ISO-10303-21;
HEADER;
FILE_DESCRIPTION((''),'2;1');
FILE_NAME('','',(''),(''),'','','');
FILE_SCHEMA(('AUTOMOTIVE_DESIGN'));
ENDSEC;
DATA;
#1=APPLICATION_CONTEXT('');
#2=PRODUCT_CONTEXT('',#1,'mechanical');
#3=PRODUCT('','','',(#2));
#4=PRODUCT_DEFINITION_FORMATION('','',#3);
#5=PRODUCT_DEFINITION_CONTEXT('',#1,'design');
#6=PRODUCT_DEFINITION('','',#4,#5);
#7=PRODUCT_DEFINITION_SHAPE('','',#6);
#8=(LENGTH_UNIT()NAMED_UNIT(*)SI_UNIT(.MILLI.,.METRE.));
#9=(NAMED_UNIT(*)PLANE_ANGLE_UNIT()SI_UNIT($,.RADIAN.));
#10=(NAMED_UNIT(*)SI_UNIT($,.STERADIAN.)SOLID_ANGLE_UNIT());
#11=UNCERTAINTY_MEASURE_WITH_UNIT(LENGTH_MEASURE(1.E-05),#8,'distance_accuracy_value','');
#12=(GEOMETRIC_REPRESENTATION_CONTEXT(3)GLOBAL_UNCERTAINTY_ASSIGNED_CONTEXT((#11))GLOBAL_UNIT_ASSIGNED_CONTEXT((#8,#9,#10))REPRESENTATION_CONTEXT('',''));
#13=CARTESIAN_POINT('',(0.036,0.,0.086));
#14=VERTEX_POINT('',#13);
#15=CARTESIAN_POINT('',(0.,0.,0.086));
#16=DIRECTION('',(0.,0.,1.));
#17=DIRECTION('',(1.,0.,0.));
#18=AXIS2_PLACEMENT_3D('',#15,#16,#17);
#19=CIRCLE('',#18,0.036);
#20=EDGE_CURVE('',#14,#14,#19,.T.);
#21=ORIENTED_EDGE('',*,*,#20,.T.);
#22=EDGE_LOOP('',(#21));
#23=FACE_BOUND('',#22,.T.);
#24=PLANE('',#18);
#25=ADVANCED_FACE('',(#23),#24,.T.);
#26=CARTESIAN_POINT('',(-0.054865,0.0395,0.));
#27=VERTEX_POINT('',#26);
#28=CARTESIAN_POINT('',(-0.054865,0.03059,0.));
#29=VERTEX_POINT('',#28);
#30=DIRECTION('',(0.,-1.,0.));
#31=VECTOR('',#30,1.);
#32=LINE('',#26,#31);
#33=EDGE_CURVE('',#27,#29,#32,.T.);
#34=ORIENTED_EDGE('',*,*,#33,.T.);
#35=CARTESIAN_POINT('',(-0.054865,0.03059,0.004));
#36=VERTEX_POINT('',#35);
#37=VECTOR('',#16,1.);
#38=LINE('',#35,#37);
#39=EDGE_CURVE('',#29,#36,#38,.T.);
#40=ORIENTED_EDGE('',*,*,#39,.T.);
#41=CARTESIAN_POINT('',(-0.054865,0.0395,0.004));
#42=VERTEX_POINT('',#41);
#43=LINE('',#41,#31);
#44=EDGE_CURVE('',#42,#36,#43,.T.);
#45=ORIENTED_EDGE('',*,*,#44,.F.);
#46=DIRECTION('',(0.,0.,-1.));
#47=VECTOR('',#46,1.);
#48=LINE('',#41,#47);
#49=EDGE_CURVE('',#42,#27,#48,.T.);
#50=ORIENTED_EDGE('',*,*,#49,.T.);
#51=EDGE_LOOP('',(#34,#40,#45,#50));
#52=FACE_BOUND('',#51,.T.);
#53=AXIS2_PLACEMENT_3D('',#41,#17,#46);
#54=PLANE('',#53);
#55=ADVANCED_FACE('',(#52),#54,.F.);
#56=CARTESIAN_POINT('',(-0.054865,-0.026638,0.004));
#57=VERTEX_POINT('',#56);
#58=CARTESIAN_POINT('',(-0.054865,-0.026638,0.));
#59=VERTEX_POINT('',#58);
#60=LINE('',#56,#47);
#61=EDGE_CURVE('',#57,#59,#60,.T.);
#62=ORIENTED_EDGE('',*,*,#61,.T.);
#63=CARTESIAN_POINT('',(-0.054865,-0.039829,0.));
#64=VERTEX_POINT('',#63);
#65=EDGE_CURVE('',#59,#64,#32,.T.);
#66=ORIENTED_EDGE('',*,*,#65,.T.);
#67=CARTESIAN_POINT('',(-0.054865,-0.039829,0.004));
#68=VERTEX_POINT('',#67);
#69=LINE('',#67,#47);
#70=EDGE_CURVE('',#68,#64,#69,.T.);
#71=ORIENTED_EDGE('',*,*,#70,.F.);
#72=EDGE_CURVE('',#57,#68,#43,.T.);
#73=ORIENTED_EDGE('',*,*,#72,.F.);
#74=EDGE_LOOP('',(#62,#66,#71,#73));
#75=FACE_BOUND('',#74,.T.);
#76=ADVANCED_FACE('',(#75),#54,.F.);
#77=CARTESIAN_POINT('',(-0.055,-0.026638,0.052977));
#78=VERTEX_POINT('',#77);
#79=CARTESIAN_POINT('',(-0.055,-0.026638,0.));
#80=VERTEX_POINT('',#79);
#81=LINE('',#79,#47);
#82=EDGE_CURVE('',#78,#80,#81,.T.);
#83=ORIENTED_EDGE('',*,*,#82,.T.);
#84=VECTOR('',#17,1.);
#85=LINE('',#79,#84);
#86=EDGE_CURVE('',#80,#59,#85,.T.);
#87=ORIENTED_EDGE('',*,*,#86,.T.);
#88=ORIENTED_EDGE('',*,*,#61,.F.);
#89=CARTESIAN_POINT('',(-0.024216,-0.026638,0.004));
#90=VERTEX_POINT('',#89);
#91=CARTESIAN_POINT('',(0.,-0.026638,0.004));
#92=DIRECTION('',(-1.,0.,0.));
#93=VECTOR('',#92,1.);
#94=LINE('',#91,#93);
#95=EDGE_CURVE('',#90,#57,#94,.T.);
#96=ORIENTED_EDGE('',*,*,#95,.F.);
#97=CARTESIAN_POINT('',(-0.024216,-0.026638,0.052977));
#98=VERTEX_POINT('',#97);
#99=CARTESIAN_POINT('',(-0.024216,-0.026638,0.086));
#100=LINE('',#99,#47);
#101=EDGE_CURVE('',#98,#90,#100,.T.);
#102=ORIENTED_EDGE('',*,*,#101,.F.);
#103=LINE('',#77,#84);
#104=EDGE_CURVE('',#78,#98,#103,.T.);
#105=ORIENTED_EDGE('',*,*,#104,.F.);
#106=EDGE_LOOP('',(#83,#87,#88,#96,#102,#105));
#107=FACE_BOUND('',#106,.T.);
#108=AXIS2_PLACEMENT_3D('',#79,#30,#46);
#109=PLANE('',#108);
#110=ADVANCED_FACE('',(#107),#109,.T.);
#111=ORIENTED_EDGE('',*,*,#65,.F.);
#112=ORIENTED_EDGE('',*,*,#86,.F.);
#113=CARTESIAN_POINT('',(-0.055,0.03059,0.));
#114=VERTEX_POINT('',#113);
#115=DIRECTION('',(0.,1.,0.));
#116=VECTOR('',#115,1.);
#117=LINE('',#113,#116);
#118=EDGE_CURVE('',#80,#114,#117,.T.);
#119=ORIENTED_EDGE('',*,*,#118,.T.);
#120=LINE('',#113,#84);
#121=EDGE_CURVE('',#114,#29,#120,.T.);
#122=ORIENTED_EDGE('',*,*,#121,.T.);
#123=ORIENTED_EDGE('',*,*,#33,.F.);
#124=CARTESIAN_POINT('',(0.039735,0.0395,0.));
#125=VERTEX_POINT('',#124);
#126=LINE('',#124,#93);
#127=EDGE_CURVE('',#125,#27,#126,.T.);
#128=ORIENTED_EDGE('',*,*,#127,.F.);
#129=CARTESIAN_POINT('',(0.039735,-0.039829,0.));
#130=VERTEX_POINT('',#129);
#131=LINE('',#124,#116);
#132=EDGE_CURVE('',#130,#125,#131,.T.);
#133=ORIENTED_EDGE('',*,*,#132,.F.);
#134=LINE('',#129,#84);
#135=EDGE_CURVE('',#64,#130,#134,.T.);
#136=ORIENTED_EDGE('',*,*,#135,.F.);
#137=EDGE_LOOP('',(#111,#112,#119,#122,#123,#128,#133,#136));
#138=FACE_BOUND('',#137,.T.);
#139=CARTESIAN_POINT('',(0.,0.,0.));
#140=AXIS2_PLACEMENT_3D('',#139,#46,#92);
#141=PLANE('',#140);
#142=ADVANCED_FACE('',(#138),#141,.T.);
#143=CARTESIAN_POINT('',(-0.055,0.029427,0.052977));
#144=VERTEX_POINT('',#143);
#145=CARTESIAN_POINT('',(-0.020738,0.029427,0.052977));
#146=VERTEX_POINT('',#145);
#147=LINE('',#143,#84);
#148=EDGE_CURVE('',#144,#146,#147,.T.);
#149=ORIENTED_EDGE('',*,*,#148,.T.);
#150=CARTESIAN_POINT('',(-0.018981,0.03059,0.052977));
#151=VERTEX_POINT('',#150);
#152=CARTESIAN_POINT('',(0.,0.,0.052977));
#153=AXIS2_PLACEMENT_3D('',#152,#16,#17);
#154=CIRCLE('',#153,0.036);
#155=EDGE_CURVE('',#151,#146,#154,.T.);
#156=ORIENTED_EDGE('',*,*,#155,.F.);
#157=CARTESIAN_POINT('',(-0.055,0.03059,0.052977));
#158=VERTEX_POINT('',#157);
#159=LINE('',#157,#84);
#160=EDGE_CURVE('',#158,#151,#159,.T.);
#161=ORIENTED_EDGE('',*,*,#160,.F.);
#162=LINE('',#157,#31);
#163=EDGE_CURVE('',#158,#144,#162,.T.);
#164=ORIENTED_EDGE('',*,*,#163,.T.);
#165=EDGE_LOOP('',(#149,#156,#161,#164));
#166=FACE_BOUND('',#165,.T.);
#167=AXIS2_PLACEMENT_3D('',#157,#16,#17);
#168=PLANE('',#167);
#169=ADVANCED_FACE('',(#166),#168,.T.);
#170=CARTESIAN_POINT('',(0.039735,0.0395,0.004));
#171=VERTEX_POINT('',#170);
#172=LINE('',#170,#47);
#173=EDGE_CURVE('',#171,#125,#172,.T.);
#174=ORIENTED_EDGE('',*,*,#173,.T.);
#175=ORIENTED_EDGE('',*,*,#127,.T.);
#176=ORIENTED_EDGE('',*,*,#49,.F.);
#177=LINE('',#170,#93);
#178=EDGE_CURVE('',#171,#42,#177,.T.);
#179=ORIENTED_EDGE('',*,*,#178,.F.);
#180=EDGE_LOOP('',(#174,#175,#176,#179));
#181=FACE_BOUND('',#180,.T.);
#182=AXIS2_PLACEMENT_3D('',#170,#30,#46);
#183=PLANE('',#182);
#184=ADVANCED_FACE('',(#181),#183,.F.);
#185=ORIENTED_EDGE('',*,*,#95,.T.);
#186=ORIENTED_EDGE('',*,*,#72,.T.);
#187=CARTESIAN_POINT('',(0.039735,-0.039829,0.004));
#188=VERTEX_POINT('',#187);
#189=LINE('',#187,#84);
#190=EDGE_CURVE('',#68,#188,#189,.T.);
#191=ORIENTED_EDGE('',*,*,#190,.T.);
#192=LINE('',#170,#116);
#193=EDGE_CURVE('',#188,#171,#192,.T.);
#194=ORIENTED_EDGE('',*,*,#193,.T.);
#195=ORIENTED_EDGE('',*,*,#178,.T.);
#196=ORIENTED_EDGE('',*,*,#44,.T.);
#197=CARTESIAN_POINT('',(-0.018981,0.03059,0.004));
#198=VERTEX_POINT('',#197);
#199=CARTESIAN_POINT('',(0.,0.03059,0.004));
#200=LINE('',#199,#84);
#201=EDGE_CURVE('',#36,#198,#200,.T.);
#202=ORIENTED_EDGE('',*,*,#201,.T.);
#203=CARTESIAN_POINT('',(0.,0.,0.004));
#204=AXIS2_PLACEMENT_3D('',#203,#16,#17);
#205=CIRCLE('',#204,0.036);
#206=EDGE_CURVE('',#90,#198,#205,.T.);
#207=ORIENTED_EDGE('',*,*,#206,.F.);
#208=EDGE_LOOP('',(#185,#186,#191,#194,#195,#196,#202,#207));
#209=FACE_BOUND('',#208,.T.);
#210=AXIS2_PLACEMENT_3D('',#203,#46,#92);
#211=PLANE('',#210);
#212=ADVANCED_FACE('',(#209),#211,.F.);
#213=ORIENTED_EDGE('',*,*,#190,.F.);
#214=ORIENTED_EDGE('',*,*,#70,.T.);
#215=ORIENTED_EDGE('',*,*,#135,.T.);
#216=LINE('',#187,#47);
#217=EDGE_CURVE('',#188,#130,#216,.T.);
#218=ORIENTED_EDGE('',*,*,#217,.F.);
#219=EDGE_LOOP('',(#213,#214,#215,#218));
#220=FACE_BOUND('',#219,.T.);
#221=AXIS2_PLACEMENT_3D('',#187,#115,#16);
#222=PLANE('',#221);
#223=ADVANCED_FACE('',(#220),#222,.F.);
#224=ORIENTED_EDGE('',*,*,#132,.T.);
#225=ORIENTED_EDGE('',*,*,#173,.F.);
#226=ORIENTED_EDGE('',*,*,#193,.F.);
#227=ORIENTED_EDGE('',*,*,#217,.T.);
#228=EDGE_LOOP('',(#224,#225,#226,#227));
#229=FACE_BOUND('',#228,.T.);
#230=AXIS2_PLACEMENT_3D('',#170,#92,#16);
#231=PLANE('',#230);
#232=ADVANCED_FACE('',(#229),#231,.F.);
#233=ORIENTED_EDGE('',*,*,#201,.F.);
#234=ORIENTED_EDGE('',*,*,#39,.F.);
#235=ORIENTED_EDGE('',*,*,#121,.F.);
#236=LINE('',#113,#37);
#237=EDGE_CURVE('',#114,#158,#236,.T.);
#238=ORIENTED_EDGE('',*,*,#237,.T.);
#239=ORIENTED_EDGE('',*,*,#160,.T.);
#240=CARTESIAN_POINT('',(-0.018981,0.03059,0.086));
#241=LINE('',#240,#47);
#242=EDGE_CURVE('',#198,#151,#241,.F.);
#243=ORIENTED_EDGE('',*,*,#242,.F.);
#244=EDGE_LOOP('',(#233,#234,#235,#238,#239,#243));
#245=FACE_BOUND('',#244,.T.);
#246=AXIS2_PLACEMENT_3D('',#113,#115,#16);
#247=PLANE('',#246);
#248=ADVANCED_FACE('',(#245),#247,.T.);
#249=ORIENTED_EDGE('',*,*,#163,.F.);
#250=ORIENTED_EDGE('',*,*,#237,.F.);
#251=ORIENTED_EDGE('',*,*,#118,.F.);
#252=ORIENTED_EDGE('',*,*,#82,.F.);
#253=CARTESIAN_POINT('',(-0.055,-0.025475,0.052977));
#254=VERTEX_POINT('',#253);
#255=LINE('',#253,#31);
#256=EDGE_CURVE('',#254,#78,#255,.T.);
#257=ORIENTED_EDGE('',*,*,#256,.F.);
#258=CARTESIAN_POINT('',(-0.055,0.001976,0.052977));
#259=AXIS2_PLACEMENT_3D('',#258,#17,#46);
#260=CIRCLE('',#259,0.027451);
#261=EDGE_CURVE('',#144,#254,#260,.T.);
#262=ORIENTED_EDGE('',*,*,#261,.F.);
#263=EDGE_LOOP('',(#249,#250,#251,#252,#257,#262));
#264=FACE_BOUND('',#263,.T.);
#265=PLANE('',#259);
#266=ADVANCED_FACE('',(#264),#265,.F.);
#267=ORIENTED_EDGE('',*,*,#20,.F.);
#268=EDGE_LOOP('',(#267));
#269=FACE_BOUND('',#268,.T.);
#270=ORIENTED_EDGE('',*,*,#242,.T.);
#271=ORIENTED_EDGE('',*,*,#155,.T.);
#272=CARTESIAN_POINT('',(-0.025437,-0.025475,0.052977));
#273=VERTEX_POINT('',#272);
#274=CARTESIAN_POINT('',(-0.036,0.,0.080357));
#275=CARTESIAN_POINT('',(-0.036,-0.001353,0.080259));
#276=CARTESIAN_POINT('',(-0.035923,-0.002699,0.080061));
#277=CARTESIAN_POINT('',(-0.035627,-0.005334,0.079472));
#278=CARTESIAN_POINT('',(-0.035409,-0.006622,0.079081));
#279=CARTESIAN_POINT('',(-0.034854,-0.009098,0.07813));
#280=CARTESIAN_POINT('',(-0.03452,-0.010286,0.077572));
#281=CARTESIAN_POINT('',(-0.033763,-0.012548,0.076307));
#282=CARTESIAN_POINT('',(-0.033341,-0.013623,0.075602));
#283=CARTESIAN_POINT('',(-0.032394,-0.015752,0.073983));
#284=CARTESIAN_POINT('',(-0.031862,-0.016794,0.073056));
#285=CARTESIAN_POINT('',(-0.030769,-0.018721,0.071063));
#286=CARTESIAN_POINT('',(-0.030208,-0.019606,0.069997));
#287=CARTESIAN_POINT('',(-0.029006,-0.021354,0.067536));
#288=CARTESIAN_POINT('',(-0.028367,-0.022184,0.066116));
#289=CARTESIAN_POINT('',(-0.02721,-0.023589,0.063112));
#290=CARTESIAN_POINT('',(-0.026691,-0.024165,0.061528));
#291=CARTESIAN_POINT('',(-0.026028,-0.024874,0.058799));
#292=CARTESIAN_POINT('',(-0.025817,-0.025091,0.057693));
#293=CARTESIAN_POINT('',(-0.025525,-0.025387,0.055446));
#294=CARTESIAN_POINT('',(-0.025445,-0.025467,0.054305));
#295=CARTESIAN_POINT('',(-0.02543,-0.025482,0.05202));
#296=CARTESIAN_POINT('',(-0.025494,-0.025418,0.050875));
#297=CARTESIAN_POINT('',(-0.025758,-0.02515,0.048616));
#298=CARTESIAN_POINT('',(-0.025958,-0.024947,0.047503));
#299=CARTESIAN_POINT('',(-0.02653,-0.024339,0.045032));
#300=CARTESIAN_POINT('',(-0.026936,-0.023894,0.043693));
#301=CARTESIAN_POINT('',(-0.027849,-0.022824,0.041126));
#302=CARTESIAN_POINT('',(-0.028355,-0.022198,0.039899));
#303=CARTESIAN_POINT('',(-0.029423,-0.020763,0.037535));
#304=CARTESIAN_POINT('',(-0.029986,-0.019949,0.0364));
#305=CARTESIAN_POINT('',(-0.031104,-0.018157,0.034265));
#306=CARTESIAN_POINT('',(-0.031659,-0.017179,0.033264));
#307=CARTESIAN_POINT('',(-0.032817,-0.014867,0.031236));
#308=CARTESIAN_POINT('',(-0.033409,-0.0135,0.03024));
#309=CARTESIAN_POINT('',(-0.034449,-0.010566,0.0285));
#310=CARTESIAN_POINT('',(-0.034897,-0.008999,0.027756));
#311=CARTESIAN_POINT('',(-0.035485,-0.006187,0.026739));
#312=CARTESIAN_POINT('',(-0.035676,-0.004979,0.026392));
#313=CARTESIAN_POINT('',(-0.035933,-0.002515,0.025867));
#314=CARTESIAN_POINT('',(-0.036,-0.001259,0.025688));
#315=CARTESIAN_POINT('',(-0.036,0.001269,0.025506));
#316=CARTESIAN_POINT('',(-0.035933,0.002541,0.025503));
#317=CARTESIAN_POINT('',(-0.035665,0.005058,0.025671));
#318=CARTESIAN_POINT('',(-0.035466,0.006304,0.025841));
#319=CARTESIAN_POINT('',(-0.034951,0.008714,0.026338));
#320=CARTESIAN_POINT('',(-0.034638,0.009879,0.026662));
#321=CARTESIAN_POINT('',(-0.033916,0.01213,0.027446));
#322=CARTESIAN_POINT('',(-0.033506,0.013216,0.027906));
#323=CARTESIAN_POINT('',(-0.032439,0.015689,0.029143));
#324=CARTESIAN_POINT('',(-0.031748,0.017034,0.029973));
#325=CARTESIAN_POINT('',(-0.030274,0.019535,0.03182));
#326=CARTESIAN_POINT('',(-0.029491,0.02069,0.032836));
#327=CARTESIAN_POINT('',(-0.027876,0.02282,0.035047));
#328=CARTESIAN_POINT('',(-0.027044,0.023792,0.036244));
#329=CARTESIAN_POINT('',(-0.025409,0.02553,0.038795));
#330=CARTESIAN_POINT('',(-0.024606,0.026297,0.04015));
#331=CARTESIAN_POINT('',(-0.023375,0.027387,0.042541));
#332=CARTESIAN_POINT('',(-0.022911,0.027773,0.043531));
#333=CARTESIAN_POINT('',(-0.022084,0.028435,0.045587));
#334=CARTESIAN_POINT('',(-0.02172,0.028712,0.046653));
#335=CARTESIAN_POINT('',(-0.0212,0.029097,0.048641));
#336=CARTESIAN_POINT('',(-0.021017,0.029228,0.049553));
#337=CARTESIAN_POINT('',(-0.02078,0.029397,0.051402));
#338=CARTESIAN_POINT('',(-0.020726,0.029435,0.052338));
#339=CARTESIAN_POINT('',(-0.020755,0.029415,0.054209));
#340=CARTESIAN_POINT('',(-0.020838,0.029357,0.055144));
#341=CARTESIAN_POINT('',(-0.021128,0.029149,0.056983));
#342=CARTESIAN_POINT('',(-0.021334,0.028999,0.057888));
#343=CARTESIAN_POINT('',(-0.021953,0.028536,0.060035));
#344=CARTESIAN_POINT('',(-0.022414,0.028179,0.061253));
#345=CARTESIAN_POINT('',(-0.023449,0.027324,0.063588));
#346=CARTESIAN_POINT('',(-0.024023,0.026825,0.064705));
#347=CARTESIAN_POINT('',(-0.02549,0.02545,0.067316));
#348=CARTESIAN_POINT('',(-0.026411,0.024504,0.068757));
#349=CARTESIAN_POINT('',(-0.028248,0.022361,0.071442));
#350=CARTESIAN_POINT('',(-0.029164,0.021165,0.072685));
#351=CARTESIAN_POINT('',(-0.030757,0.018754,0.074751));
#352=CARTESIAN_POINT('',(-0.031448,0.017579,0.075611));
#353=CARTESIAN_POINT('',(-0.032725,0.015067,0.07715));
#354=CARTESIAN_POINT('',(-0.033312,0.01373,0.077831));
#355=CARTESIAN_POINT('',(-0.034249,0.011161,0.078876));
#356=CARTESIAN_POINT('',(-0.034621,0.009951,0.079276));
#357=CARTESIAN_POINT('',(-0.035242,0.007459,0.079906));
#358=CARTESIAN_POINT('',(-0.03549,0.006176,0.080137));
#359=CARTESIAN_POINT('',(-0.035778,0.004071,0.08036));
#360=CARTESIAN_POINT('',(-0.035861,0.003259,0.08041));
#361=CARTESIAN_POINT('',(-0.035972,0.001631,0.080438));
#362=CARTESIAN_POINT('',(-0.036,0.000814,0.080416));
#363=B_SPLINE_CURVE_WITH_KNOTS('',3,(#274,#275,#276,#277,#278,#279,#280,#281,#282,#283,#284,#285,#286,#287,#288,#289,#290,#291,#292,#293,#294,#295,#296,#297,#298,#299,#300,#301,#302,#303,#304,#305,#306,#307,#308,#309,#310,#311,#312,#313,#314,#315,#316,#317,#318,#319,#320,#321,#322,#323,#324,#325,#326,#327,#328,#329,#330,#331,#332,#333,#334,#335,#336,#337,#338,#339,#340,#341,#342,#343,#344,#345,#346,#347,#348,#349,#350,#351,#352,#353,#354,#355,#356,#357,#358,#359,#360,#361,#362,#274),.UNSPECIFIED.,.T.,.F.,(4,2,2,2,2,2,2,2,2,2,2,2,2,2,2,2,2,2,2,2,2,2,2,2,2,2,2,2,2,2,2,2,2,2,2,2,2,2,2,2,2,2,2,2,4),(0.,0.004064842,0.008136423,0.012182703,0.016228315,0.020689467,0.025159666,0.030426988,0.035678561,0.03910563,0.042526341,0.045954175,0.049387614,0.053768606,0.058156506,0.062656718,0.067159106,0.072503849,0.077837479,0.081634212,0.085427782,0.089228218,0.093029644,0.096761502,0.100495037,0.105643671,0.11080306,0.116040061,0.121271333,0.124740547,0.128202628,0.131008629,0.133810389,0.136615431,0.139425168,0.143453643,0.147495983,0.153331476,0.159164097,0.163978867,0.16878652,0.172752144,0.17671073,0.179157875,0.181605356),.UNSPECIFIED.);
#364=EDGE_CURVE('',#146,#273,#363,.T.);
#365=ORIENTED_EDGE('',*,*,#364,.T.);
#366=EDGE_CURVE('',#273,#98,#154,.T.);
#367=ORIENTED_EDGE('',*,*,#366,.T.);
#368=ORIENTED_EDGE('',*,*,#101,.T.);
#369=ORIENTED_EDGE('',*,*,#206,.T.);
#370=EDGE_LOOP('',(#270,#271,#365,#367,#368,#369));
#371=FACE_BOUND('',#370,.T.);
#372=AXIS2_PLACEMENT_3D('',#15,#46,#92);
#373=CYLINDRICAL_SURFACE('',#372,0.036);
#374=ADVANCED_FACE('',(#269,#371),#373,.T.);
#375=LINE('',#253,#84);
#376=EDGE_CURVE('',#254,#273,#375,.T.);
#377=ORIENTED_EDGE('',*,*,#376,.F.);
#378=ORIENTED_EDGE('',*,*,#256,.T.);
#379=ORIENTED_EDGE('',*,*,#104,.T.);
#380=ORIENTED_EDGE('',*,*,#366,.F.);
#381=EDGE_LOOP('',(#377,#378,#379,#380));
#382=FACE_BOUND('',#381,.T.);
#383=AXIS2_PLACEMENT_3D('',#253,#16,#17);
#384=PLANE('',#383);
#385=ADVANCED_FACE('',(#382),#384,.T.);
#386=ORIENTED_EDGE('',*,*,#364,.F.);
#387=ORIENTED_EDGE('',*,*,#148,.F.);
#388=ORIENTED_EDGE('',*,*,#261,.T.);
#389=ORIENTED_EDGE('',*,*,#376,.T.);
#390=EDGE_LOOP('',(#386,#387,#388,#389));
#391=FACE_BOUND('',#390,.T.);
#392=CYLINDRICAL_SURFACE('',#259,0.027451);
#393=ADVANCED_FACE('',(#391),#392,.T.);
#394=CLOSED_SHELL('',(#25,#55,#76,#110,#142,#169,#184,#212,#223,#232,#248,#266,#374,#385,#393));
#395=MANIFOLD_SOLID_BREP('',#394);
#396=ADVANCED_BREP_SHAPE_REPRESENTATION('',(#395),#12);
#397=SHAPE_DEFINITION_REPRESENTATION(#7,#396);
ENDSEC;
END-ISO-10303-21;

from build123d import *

# Parameters (mm, degrees)
SKETCH1_W           = 0.094600407
SKETCH1_H           = 0.079328796
SKETCH1_R           = 0.036000001
BOSS_EXTRUDE1_DEPTH = 0.004
SKETCH1_2_R         = 0.036000001
BOSS_EXTRUDE2_DEPTH = 0.086
BOSS_EXTRUDE3_DEPTH = 0.055


with BuildPart() as part:
    # Sketch1 → Boss-Extrude1 (new body)
    with BuildSketch(Plane.XY):
        with Locations((-0.00756472, -0.000164396)):
            Rectangle(SKETCH1_W, SKETCH1_H)
        Circle(SKETCH1_R, mode=Mode.SUBTRACT)
    extrude(amount=BOSS_EXTRUDE1_DEPTH)

    # Sketch1<2> → Boss-Extrude2 (add)
    with BuildSketch(Plane.XY):
        Circle(SKETCH1_2_R)
    extrude(amount=BOSS_EXTRUDE2_DEPTH)

    # Sketch2 → Boss-Extrude3 (add)
    with BuildSketch(Plane(origin=(0, 0, 0), x_dir=(0, 0, -1), z_dir=(1, 0, 0))):
        with BuildLine():
            Line((-0.052977393, -0.025474995), (-0.052977393, -0.026637747))
            Line((-0.052977393, -0.026637747), (0, -0.026637747))
            Line((0, -0.026637747), (0, 0.030589564))
            Line((0, 0.030589564), (-0.052977393, 0.030589564))
            Line((-0.052977393, 0.030589564), (-0.052977393, 0.029426813))
            ThreePointArc((-0.052977393, 0.029426813), (-0.080428298, 0.001975909), (-0.052977393, -0.025474995))
        make_face()
    extrude(amount=-BOSS_EXTRUDE3_DEPTH)


solid = part.part
